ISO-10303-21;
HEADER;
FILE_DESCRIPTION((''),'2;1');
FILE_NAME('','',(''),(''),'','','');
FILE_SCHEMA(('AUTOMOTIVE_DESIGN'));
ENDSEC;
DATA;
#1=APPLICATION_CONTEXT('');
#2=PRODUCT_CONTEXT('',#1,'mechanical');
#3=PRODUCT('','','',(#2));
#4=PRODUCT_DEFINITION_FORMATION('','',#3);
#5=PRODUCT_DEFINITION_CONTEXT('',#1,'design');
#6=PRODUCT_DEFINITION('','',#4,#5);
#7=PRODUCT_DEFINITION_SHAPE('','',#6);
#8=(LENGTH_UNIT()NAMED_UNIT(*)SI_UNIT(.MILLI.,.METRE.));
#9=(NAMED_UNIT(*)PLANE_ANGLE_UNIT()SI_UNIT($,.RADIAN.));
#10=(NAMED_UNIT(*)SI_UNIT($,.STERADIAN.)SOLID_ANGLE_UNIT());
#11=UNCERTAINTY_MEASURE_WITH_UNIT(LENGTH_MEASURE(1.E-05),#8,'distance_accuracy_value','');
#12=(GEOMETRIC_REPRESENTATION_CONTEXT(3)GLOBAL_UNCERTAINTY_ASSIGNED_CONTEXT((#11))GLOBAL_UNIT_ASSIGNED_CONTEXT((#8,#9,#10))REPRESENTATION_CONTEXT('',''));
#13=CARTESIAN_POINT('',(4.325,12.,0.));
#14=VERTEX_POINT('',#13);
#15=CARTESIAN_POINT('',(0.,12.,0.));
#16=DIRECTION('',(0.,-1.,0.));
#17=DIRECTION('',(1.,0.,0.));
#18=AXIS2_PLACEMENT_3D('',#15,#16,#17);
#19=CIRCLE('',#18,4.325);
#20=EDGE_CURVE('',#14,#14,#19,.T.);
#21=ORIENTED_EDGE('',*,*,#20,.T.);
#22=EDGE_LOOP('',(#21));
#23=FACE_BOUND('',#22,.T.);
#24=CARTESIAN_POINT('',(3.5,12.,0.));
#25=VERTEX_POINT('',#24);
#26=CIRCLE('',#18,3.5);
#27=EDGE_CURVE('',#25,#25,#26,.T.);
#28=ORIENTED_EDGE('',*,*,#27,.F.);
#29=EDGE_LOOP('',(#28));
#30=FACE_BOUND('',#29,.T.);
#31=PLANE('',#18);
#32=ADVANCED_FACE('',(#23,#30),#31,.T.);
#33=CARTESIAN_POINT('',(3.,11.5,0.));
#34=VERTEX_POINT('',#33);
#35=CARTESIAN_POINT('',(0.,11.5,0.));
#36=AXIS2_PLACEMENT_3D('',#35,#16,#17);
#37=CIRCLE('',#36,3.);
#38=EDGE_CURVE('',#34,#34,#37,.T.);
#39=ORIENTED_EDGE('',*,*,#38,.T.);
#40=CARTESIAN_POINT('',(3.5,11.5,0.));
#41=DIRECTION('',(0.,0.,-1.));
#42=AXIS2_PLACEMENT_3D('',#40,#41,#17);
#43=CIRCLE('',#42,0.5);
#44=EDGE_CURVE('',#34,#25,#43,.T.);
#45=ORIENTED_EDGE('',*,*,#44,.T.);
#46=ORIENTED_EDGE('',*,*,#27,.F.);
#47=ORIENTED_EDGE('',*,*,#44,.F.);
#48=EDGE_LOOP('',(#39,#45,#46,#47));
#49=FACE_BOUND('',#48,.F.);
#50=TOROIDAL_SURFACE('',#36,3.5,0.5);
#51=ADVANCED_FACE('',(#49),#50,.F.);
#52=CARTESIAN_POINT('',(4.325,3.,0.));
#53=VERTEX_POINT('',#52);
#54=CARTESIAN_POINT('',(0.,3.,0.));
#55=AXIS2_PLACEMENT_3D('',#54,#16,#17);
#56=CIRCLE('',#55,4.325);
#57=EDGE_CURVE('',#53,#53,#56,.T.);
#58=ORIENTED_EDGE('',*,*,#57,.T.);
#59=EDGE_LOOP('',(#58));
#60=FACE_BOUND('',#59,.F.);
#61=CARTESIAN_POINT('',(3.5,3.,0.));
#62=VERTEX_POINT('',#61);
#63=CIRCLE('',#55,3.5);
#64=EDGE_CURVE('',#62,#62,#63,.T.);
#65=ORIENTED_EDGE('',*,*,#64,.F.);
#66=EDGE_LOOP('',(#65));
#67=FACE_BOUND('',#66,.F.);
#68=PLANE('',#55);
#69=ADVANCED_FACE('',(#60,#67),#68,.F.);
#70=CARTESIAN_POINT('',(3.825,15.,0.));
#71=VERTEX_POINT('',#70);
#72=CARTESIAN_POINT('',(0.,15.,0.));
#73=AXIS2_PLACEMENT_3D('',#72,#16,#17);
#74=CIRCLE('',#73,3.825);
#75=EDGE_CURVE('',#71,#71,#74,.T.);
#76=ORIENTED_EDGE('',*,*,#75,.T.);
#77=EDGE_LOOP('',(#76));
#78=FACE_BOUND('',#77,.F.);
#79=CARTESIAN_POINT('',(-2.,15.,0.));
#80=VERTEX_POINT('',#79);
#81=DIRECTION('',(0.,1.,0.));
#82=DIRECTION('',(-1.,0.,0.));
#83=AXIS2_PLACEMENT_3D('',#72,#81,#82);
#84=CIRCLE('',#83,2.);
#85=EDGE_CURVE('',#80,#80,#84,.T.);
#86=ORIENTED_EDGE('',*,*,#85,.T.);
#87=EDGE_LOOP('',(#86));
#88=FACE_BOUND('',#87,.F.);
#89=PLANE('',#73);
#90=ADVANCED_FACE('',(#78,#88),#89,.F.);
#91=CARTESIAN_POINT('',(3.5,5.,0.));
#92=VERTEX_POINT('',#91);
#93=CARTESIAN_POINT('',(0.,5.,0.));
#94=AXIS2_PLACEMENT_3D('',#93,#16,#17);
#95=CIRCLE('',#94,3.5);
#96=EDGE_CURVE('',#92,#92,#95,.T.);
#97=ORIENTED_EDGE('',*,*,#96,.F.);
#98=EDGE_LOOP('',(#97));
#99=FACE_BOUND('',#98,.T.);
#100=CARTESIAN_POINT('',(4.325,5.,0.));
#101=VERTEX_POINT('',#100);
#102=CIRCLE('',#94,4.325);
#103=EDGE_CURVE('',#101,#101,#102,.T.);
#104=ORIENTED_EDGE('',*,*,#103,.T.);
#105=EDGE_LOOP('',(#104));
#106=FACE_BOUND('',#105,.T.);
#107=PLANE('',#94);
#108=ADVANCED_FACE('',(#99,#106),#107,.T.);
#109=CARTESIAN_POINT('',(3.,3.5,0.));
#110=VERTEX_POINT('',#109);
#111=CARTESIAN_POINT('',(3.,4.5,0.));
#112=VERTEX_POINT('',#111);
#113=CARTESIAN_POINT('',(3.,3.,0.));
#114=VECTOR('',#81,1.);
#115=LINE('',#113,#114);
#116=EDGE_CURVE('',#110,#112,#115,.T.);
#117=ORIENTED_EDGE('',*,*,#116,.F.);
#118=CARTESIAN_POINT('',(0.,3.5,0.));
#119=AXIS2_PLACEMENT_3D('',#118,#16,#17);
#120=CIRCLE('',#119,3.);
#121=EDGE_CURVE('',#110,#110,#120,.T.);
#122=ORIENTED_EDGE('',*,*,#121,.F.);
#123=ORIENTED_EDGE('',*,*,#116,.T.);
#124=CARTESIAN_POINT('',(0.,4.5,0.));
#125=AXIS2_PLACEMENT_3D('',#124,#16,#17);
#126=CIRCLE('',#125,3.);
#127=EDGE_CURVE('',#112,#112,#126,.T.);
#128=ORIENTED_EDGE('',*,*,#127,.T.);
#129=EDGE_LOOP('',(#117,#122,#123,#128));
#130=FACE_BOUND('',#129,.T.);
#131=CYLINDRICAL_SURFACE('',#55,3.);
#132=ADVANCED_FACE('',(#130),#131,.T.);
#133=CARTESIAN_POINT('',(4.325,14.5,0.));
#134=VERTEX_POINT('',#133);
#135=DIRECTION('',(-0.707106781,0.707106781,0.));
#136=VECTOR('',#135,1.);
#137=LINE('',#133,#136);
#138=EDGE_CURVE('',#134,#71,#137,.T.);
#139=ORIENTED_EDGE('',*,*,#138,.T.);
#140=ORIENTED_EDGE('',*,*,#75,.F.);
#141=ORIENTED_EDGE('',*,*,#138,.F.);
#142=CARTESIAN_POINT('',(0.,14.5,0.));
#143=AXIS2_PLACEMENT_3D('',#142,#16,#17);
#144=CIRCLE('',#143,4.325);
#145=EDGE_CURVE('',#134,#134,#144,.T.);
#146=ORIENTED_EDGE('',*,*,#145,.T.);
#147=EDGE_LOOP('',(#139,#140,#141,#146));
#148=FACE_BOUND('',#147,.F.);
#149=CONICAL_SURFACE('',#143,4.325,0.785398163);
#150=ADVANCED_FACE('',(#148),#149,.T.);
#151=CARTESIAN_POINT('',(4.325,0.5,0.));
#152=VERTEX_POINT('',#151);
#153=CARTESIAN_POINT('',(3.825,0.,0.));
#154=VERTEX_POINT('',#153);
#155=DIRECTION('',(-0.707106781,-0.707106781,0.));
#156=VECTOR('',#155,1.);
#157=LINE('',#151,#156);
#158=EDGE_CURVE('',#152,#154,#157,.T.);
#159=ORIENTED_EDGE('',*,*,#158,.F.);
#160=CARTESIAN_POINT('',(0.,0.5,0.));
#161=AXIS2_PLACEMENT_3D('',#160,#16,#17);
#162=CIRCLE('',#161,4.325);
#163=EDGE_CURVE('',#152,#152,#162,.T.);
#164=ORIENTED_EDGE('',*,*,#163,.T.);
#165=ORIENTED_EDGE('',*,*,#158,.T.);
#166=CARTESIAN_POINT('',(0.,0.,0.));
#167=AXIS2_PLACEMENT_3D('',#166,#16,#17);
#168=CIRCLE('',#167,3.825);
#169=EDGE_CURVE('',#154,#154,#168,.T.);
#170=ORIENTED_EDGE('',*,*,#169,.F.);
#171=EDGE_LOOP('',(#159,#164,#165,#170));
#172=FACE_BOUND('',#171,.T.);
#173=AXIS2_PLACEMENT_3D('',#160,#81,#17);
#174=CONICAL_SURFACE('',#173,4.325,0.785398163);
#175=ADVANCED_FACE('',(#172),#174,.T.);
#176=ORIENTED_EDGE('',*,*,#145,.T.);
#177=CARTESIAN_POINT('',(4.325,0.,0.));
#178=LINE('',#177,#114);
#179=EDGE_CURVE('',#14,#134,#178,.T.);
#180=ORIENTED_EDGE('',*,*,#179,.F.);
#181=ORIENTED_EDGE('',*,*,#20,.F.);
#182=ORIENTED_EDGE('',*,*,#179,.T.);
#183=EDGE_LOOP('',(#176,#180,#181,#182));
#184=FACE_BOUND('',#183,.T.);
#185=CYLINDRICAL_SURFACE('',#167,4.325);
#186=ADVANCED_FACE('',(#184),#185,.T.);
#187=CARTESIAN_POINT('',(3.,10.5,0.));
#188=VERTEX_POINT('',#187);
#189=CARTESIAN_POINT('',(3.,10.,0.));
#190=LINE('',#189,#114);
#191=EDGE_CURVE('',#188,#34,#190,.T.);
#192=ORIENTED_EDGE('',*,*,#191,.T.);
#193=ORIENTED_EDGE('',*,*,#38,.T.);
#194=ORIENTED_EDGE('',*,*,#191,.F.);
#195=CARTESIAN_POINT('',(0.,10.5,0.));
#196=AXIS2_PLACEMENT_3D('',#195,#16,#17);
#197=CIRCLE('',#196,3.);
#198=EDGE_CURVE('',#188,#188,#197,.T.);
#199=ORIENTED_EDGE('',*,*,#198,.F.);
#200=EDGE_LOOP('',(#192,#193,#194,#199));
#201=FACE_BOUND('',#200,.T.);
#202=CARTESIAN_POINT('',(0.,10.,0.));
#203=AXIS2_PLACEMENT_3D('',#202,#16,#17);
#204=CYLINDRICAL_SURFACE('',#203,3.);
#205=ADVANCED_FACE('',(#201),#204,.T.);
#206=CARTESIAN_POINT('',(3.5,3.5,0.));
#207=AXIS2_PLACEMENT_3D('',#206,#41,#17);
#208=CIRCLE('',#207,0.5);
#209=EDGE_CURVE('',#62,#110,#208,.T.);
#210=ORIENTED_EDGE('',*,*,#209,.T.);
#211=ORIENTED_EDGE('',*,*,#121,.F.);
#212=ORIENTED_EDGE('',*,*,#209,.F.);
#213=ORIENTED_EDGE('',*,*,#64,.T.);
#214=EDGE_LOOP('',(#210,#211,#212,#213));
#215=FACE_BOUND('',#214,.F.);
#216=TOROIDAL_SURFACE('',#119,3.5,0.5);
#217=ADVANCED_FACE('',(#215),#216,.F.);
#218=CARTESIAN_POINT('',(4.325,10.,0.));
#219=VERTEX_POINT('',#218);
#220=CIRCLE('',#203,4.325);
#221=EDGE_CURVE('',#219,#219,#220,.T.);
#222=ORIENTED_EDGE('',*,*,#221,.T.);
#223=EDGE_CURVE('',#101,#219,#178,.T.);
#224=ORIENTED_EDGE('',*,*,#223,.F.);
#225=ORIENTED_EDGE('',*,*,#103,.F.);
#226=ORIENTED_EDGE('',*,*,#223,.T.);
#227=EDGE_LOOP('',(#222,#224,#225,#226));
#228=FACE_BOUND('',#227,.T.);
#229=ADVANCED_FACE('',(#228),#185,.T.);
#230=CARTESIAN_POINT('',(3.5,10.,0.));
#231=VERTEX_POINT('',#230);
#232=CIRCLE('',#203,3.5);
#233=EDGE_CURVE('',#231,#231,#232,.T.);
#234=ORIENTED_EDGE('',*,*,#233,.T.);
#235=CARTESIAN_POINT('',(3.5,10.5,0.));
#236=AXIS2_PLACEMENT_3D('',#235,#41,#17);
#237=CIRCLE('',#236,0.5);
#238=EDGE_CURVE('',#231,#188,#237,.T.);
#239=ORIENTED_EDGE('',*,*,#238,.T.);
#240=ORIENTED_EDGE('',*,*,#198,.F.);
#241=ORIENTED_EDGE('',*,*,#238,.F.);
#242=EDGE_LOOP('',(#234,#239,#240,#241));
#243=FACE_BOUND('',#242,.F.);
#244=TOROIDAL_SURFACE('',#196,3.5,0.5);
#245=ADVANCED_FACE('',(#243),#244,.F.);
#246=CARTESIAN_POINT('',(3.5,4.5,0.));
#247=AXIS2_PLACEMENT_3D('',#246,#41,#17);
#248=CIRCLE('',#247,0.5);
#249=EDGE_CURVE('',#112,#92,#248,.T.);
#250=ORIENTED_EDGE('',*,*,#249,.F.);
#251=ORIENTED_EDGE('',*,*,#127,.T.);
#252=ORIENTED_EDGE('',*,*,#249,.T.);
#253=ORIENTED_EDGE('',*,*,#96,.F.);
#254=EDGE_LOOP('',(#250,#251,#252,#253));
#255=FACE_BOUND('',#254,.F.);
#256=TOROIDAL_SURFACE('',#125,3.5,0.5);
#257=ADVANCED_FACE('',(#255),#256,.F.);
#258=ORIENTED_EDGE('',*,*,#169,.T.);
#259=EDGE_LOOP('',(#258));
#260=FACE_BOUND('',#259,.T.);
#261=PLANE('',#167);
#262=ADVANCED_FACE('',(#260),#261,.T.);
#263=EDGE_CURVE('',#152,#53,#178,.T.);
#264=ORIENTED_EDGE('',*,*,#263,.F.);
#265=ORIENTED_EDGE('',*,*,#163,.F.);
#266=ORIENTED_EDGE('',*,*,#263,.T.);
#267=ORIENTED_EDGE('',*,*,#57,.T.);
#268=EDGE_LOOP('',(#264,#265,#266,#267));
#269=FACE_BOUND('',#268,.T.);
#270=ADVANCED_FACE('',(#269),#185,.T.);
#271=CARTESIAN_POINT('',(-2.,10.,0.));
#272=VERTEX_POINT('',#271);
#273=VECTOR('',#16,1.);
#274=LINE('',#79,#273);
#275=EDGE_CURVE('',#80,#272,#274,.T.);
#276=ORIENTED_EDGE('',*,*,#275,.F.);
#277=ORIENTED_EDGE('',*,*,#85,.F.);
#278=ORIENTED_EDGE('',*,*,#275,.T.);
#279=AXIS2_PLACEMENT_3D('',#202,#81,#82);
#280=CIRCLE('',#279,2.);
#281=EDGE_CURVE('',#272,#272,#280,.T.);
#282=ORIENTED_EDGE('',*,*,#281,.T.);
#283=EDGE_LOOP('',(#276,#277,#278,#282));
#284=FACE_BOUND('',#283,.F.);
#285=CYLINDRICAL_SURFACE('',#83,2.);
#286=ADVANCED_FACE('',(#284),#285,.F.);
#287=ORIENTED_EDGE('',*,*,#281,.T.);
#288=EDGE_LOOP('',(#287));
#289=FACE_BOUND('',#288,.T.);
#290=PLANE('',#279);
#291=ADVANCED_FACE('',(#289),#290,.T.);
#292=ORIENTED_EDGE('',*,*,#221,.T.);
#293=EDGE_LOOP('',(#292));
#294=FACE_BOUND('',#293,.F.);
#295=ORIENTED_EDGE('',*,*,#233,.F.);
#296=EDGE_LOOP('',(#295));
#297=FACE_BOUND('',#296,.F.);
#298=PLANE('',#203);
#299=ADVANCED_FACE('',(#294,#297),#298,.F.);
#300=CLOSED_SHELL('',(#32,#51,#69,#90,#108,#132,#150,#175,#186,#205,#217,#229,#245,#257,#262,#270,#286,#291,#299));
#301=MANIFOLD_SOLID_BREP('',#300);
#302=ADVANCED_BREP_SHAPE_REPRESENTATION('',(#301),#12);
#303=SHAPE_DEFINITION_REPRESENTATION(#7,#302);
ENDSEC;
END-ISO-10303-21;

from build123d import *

# Parameters (mm, degrees)
F0_R      = 4.325
F1_DEPTH  = 15
F4_R      = 4.5
F4_R_2    = 3
F5_DEPTH  = 2
F6_R      = 4.5
F6_R_2    = 3
F7_DEPTH  = 2
F8_SIZE   = 0.5
F9_R      = 0.5
F10_R     = 2
F11_DEPTH = 5


with BuildPart() as f1:
    # F0 (on Front) → F1 (new body)
    with BuildSketch(Plane.XZ):
        Circle(F0_R)
    extrude(amount=-F1_DEPTH)

    # F4 (on offset) → F5 (cut)
    with BuildSketch(Plane.XZ.offset(-3)):
        Circle(F4_R)
        Circle(F4_R_2, mode=Mode.SUBTRACT)
    extrude(amount=-F5_DEPTH, mode=Mode.SUBTRACT)

    # F6 (on offset) → F7 (cut)
    with BuildSketch(Plane.XZ.offset(-10)):
        Circle(F6_R)
        Circle(F6_R_2, mode=Mode.SUBTRACT)
    extrude(amount=-F7_DEPTH, mode=Mode.SUBTRACT)

    # F8
    f8_edges = [f1.edges().sort_by_distance(p)[0] for p in [
        (-4.325, 0, 0),
        (-4.325, 15, 0),
    ]]
    chamfer(f8_edges, length=F8_SIZE)

    # F9
    f9_edges = [f1.edges().sort_by_distance(p)[0] for p in [
        (-3, 5, 0),
        (-3, 12, 0),
        (-3, 10, 0),
        (-3, 3, 0),
    ]]
    fillet(f9_edges, radius=F9_R)

    # F10 (on face) → F11 (cut)
    with BuildSketch(Plane(origin=(0, 15, 0), x_dir=(-1, 0, 0), z_dir=(0, 1, 0))):
        Circle(F10_R)
    extrude(amount=-F11_DEPTH, mode=Mode.SUBTRACT)


solid = f1.part
